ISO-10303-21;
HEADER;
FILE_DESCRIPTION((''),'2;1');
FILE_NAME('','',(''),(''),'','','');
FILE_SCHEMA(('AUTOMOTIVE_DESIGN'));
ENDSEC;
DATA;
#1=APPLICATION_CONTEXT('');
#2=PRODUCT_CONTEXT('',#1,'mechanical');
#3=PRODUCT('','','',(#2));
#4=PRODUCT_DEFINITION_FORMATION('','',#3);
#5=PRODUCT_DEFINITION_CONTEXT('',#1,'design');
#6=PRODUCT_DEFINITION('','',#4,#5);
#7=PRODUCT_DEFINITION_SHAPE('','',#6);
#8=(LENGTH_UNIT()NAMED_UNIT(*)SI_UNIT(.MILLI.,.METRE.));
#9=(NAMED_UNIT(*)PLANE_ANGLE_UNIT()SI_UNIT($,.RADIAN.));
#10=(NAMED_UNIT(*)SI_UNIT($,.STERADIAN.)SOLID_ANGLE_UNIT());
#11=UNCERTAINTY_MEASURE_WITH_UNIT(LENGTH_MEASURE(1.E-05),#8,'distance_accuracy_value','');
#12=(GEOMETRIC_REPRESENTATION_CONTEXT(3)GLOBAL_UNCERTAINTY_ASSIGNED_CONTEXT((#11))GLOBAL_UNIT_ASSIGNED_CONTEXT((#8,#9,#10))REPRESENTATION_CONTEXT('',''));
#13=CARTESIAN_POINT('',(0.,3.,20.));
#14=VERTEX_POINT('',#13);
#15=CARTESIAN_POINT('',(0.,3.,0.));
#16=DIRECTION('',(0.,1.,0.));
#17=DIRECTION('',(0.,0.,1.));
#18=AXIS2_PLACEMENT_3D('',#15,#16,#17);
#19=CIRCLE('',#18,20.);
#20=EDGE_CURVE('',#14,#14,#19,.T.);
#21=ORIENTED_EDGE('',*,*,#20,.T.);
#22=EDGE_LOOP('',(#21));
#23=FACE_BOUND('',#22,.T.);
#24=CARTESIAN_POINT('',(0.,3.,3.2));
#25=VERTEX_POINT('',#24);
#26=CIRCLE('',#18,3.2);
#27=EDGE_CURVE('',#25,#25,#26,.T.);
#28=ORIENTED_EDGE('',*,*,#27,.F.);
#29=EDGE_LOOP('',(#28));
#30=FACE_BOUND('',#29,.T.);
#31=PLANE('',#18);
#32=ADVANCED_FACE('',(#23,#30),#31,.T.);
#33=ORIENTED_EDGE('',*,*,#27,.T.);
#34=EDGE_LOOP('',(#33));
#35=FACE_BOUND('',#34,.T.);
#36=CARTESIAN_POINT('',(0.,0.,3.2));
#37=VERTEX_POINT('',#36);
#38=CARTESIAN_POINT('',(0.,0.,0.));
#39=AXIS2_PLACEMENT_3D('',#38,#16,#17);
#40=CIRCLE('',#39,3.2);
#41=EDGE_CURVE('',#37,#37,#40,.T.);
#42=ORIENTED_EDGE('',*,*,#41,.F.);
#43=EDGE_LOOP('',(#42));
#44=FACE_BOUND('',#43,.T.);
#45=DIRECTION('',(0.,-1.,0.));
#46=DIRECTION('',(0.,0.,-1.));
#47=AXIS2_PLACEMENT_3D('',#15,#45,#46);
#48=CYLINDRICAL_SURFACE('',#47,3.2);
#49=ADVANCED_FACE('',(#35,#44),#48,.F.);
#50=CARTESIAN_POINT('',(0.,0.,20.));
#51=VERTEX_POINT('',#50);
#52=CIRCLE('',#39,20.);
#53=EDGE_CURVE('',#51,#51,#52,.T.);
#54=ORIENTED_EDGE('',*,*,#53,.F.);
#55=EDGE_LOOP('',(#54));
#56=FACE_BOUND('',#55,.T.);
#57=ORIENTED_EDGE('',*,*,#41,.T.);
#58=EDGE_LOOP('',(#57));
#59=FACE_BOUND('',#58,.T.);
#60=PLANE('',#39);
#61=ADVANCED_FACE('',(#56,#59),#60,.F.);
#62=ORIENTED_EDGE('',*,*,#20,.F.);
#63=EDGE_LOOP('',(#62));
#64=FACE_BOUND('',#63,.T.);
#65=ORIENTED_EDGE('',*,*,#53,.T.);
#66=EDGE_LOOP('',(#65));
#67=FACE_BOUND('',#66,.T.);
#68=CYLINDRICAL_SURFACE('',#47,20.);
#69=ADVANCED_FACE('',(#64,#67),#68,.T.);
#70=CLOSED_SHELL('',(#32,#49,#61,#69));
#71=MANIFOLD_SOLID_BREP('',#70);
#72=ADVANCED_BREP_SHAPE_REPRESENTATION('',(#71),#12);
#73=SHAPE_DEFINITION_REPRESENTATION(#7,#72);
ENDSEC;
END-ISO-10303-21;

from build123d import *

# Parameters (mm, degrees)
CROQUIS1_R              = 20
CROQUIS1_R_2            = 3.2
SALIENTE_EXTRUIR1_DEPTH = 3


with BuildPart() as part:
    # Croquis1 → Saliente-Extruir1 (new body)
    with BuildSketch(Plane(origin=(0, 0, 0), x_dir=(1, 0, 0), z_dir=(0, 1, 0))):
        Circle(CROQUIS1_R)
        Circle(CROQUIS1_R_2, mode=Mode.SUBTRACT)
    extrude(amount=SALIENTE_EXTRUIR1_DEPTH)


solid = part.part
